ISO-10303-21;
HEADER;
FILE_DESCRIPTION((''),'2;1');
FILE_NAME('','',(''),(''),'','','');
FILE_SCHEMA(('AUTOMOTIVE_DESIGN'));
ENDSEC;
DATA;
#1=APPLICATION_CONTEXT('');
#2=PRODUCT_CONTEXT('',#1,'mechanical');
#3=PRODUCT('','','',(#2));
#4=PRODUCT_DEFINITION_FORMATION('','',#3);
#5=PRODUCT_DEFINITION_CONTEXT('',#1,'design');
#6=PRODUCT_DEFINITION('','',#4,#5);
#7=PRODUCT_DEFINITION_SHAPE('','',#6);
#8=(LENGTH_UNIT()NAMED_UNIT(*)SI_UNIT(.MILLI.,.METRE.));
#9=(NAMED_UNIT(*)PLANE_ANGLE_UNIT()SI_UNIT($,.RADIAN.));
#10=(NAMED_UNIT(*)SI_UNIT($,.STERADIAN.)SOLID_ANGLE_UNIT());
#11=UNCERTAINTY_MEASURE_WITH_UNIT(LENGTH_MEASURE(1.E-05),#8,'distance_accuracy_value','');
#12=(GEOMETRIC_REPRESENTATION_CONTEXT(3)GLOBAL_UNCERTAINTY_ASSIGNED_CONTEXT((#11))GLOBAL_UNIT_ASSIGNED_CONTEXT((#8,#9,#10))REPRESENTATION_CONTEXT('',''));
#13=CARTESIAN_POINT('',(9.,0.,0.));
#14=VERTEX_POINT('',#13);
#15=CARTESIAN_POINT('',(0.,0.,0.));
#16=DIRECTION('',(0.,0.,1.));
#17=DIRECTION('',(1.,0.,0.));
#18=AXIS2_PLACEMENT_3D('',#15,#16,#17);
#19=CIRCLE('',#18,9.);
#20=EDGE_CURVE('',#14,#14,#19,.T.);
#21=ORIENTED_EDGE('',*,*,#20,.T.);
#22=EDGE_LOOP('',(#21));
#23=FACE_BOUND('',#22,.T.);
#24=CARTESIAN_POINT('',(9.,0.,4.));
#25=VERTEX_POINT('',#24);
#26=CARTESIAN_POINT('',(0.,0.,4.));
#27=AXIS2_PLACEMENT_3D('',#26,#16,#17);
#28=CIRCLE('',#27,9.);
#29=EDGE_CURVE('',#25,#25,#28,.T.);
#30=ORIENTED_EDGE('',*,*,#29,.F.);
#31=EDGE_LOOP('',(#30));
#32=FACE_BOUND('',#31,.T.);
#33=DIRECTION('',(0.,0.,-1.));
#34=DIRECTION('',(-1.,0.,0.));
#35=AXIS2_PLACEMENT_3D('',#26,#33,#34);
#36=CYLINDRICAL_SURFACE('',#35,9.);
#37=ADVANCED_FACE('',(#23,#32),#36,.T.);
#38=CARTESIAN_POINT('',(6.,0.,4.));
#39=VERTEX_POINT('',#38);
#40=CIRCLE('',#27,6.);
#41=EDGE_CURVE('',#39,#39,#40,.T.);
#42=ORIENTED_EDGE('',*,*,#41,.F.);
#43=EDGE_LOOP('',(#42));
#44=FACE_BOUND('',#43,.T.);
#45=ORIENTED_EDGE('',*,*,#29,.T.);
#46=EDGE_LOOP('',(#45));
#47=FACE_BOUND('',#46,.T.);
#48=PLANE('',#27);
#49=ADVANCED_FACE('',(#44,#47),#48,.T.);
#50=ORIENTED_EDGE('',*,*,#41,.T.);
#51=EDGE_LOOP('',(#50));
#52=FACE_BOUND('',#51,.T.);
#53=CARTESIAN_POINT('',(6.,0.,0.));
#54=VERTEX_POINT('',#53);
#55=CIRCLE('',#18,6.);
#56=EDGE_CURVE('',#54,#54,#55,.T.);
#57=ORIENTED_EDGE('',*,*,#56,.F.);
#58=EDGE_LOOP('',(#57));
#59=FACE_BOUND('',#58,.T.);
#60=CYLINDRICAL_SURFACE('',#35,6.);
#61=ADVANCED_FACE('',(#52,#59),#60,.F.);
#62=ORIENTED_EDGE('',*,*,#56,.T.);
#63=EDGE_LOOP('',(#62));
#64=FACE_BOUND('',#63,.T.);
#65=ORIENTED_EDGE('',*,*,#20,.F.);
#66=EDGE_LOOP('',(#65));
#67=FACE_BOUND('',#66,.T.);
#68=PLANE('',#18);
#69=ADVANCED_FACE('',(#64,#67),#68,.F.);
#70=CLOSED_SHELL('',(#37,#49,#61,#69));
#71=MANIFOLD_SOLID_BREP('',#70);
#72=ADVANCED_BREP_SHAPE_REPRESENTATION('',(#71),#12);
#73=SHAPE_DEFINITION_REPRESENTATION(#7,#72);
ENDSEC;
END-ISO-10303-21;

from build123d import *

# Parameters (mm, degrees)
SKETCH_1_R      = 9
SKETCH_1_R_2    = 6
EXTRUDE_1_DEPTH = 4


with BuildPart() as part:
    # 草图1 → 凸台-拉伸1 (new body)
    with BuildSketch(Plane.XY):
        Circle(SKETCH_1_R)
        Circle(SKETCH_1_R_2, mode=Mode.SUBTRACT)
    extrude(amount=EXTRUDE_1_DEPTH)


solid = part.part
